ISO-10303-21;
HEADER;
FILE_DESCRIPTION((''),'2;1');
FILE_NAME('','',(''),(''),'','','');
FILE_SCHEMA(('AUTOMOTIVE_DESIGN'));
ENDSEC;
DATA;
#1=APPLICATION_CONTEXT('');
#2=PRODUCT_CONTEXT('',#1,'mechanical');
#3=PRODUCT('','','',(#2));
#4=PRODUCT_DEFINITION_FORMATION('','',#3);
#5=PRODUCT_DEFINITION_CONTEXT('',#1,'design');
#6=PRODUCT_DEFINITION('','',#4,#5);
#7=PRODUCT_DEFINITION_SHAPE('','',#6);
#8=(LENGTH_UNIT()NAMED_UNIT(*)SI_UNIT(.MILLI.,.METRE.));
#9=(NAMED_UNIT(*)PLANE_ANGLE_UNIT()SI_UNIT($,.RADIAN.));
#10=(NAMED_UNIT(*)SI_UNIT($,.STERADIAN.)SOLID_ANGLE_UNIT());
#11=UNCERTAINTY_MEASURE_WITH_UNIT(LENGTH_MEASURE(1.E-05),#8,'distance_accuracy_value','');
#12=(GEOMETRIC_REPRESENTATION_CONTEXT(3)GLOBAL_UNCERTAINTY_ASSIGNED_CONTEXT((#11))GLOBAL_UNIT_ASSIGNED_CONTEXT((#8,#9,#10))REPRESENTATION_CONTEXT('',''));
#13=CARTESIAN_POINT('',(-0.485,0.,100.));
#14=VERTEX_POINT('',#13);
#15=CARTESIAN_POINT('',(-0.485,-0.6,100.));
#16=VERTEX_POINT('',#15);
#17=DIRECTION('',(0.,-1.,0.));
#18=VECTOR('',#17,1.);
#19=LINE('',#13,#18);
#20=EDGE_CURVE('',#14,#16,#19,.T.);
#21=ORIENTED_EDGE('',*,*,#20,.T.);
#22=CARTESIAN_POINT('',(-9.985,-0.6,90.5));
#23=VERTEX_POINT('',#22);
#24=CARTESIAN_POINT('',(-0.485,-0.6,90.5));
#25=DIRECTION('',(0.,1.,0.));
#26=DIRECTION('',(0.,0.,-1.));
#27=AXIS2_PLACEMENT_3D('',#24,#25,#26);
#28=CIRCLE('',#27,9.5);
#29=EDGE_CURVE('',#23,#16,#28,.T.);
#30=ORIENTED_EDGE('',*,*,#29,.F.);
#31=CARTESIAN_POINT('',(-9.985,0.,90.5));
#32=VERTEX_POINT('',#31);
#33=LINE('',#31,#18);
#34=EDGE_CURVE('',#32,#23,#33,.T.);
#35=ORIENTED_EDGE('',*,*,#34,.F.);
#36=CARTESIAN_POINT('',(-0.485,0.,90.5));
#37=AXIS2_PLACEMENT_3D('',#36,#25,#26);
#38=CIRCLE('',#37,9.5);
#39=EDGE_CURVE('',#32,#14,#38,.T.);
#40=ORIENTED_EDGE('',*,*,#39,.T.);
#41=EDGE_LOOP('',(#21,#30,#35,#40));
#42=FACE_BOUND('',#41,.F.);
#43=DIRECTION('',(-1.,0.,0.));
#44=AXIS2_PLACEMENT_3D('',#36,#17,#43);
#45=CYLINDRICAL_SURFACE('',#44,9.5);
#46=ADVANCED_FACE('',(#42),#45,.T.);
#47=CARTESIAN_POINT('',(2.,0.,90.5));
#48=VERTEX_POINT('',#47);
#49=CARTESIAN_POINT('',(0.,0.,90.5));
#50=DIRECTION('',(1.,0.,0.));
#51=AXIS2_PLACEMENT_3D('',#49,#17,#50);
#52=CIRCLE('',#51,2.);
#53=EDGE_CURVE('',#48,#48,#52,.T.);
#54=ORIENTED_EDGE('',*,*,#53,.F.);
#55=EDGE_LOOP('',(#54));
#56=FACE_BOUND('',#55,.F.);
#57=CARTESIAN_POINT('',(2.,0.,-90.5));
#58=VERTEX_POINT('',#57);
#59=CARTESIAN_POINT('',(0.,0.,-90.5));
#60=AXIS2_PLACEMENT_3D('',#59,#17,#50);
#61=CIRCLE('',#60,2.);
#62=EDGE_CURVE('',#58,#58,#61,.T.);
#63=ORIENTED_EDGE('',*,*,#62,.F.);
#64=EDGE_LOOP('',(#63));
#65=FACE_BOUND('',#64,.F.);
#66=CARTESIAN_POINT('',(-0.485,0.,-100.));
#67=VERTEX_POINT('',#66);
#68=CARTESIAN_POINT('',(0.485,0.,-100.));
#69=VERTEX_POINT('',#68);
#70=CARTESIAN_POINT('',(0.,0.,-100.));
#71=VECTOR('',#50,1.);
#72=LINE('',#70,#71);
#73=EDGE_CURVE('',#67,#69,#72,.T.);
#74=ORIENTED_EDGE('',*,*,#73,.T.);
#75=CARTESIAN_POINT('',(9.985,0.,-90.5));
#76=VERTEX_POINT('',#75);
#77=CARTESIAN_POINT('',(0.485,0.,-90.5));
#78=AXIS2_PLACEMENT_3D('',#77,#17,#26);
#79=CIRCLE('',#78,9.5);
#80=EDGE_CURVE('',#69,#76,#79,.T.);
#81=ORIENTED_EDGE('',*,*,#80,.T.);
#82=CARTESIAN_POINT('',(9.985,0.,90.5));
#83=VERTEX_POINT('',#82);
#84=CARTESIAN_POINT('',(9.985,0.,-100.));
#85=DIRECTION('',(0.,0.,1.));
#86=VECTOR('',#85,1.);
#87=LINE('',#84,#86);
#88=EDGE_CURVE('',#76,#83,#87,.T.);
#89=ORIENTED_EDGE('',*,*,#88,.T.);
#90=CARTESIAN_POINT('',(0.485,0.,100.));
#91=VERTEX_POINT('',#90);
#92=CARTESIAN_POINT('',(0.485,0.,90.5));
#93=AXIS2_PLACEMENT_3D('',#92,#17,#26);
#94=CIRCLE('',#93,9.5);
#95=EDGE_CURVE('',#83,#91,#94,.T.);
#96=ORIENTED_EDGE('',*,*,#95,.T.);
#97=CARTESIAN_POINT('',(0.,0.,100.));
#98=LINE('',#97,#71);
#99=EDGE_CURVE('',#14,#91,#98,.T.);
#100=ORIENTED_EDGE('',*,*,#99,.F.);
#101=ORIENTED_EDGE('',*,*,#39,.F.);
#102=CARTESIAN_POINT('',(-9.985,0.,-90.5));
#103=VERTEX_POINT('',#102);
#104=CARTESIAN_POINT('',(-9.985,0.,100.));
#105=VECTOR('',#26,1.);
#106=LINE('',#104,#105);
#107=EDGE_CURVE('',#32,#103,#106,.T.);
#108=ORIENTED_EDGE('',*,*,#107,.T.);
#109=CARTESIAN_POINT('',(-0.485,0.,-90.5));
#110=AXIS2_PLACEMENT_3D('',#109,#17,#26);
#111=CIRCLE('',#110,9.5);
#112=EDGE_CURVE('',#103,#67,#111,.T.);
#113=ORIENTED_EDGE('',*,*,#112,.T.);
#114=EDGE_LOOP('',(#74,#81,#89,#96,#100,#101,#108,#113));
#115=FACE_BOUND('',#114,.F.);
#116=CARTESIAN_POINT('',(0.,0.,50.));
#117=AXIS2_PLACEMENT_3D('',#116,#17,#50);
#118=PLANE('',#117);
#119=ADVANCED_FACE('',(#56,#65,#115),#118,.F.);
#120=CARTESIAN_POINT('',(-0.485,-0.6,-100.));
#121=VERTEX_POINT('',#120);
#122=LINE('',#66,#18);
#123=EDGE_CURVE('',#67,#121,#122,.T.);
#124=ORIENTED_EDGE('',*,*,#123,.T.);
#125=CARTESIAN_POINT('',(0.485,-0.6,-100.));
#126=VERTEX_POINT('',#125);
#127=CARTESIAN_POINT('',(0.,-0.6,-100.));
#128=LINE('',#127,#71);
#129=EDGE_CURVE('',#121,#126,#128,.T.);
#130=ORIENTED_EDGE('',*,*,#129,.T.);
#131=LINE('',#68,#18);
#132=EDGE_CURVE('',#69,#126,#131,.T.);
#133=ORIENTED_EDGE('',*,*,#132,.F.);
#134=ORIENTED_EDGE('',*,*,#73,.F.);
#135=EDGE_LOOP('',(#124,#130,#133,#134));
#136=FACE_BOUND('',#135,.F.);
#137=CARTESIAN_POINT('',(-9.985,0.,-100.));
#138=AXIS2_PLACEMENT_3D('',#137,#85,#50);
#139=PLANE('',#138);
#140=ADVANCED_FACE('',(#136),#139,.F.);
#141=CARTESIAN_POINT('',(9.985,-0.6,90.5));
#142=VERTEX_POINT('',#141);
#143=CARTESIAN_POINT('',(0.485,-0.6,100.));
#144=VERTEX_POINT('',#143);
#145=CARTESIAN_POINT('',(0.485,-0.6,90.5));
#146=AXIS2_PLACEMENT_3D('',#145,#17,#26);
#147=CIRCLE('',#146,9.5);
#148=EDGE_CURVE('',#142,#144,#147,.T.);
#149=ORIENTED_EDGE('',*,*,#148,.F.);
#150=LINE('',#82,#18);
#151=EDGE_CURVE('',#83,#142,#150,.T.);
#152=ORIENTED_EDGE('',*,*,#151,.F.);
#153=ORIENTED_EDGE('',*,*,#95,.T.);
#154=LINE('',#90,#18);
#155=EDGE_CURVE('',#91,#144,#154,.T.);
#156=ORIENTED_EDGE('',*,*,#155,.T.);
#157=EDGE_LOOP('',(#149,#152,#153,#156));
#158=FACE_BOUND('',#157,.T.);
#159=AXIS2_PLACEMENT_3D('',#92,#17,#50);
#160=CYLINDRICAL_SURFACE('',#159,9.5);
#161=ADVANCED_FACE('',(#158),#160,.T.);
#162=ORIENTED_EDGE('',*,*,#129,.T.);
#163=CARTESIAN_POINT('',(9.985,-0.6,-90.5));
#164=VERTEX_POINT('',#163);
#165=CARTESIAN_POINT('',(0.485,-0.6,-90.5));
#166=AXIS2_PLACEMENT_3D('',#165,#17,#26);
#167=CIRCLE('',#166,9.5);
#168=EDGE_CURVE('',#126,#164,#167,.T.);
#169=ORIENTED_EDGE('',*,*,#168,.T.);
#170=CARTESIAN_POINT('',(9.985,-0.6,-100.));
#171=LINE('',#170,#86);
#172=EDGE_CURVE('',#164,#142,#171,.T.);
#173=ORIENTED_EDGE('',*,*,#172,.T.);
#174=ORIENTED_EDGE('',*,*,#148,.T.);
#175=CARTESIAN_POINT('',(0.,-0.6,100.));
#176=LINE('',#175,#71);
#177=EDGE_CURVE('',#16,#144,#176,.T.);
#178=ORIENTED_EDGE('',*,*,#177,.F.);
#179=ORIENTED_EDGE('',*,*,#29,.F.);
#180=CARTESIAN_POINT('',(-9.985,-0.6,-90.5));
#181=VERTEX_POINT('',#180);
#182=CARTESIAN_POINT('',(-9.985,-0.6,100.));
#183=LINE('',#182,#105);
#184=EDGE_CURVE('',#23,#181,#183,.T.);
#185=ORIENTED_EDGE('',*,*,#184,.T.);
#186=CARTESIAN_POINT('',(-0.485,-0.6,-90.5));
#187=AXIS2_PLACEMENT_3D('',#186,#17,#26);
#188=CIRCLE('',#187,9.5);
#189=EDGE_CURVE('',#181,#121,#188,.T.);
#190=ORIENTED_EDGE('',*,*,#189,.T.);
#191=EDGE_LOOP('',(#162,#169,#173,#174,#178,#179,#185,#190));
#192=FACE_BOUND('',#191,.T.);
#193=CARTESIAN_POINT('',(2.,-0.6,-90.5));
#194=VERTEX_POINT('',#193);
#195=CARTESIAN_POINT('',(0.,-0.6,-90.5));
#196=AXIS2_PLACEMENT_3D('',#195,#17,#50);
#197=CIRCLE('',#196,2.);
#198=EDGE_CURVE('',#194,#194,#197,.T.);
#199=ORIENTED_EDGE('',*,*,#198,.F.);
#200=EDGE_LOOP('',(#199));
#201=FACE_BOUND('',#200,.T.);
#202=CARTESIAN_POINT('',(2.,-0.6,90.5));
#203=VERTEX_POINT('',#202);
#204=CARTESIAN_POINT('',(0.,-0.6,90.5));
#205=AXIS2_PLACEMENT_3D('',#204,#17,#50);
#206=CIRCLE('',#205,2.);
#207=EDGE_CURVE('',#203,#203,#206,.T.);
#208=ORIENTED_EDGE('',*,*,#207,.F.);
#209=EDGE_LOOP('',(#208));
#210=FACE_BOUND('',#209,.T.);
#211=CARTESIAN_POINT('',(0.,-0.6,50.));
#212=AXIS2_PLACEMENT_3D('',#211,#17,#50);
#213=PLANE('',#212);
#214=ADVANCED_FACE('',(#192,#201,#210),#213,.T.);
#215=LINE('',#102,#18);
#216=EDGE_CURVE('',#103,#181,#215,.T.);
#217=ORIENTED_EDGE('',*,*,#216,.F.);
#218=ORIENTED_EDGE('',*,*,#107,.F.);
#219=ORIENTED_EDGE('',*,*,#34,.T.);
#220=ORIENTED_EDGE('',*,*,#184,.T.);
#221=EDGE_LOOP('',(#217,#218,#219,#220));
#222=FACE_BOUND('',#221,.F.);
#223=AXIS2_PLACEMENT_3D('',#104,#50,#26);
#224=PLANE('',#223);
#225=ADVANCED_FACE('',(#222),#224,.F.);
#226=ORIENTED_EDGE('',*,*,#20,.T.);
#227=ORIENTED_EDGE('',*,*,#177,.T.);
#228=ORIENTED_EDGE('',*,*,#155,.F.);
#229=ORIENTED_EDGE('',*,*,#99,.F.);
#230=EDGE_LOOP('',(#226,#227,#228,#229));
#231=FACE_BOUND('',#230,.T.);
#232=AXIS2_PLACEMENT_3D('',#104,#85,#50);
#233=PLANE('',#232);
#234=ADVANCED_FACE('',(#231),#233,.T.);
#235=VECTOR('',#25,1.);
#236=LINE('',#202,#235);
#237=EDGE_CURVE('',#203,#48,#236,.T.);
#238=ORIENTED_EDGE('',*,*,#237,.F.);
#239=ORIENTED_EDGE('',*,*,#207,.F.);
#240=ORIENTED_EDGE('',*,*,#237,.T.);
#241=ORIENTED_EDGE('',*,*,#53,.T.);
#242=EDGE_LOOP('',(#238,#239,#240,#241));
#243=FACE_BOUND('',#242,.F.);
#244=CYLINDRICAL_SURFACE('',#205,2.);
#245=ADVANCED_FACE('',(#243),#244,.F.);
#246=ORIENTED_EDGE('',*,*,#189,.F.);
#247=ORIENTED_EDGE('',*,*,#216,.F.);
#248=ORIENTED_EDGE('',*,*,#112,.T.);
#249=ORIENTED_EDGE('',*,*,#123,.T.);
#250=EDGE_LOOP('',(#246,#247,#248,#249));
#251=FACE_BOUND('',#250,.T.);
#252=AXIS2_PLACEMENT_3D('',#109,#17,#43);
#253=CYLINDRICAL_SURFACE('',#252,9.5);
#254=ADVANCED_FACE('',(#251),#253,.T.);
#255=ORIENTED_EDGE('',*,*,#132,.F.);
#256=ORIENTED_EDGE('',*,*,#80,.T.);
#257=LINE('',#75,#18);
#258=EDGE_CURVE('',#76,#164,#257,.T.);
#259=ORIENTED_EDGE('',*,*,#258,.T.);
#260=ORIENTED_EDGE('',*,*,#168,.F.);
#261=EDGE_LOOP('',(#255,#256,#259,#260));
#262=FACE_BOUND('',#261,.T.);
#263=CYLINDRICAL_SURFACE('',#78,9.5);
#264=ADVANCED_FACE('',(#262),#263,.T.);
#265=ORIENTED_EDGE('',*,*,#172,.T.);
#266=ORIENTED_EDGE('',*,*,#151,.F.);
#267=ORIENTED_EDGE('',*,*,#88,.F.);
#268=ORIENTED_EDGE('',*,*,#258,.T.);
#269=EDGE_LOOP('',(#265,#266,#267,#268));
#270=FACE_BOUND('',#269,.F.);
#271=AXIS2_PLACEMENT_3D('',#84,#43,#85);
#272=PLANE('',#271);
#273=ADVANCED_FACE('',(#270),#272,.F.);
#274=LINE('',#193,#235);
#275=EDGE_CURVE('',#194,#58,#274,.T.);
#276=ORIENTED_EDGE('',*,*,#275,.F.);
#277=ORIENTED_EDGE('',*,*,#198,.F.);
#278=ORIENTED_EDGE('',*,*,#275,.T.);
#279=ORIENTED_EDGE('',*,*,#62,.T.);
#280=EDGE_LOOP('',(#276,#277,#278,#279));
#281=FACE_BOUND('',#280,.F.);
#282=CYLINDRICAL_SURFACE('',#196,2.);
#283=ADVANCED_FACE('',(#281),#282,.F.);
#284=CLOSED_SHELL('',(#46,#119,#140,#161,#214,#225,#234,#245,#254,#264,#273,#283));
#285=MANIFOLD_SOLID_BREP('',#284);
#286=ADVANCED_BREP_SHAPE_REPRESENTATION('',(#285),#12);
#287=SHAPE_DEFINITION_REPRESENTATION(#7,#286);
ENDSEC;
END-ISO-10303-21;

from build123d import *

# Parameters (mm, degrees)
F0_W     = 19.97
F0_H     = 100
F1_DEPTH = 0.6
F2_R     = 9.5
F3_R     = 2
F4_DEPTH = 0.601


with BuildPart() as f1:
    # F0 (on Front) → F1 (new body)
    with BuildSketch(Plane.XZ):
        with Locations((0, 50)):
            Rectangle(F0_W, F0_H)
        with Locations((0, -50)):
            Rectangle(F0_W, F0_H)
    extrude(amount=F1_DEPTH)

    # F2
    f2_edges = [f1.edges().sort_by_distance(p)[0] for p in [
        (9.985, -0.3, 100),
        (-9.985, -0.3, 100),
        (9.985, -0.3, -100),
        (-9.985, -0.3, -100),
    ]]
    fillet(f2_edges, radius=F2_R)

    # F3 (on face) → F4 (cut, through all)
    with BuildSketch(Plane.XZ.offset(0.6)):
        with Locations((0, 90.5)):
            Circle(F3_R)
        with Locations((0, -90.5)):
            Circle(F3_R)
    extrude(amount=-F4_DEPTH, mode=Mode.SUBTRACT)


solid = f1.part
